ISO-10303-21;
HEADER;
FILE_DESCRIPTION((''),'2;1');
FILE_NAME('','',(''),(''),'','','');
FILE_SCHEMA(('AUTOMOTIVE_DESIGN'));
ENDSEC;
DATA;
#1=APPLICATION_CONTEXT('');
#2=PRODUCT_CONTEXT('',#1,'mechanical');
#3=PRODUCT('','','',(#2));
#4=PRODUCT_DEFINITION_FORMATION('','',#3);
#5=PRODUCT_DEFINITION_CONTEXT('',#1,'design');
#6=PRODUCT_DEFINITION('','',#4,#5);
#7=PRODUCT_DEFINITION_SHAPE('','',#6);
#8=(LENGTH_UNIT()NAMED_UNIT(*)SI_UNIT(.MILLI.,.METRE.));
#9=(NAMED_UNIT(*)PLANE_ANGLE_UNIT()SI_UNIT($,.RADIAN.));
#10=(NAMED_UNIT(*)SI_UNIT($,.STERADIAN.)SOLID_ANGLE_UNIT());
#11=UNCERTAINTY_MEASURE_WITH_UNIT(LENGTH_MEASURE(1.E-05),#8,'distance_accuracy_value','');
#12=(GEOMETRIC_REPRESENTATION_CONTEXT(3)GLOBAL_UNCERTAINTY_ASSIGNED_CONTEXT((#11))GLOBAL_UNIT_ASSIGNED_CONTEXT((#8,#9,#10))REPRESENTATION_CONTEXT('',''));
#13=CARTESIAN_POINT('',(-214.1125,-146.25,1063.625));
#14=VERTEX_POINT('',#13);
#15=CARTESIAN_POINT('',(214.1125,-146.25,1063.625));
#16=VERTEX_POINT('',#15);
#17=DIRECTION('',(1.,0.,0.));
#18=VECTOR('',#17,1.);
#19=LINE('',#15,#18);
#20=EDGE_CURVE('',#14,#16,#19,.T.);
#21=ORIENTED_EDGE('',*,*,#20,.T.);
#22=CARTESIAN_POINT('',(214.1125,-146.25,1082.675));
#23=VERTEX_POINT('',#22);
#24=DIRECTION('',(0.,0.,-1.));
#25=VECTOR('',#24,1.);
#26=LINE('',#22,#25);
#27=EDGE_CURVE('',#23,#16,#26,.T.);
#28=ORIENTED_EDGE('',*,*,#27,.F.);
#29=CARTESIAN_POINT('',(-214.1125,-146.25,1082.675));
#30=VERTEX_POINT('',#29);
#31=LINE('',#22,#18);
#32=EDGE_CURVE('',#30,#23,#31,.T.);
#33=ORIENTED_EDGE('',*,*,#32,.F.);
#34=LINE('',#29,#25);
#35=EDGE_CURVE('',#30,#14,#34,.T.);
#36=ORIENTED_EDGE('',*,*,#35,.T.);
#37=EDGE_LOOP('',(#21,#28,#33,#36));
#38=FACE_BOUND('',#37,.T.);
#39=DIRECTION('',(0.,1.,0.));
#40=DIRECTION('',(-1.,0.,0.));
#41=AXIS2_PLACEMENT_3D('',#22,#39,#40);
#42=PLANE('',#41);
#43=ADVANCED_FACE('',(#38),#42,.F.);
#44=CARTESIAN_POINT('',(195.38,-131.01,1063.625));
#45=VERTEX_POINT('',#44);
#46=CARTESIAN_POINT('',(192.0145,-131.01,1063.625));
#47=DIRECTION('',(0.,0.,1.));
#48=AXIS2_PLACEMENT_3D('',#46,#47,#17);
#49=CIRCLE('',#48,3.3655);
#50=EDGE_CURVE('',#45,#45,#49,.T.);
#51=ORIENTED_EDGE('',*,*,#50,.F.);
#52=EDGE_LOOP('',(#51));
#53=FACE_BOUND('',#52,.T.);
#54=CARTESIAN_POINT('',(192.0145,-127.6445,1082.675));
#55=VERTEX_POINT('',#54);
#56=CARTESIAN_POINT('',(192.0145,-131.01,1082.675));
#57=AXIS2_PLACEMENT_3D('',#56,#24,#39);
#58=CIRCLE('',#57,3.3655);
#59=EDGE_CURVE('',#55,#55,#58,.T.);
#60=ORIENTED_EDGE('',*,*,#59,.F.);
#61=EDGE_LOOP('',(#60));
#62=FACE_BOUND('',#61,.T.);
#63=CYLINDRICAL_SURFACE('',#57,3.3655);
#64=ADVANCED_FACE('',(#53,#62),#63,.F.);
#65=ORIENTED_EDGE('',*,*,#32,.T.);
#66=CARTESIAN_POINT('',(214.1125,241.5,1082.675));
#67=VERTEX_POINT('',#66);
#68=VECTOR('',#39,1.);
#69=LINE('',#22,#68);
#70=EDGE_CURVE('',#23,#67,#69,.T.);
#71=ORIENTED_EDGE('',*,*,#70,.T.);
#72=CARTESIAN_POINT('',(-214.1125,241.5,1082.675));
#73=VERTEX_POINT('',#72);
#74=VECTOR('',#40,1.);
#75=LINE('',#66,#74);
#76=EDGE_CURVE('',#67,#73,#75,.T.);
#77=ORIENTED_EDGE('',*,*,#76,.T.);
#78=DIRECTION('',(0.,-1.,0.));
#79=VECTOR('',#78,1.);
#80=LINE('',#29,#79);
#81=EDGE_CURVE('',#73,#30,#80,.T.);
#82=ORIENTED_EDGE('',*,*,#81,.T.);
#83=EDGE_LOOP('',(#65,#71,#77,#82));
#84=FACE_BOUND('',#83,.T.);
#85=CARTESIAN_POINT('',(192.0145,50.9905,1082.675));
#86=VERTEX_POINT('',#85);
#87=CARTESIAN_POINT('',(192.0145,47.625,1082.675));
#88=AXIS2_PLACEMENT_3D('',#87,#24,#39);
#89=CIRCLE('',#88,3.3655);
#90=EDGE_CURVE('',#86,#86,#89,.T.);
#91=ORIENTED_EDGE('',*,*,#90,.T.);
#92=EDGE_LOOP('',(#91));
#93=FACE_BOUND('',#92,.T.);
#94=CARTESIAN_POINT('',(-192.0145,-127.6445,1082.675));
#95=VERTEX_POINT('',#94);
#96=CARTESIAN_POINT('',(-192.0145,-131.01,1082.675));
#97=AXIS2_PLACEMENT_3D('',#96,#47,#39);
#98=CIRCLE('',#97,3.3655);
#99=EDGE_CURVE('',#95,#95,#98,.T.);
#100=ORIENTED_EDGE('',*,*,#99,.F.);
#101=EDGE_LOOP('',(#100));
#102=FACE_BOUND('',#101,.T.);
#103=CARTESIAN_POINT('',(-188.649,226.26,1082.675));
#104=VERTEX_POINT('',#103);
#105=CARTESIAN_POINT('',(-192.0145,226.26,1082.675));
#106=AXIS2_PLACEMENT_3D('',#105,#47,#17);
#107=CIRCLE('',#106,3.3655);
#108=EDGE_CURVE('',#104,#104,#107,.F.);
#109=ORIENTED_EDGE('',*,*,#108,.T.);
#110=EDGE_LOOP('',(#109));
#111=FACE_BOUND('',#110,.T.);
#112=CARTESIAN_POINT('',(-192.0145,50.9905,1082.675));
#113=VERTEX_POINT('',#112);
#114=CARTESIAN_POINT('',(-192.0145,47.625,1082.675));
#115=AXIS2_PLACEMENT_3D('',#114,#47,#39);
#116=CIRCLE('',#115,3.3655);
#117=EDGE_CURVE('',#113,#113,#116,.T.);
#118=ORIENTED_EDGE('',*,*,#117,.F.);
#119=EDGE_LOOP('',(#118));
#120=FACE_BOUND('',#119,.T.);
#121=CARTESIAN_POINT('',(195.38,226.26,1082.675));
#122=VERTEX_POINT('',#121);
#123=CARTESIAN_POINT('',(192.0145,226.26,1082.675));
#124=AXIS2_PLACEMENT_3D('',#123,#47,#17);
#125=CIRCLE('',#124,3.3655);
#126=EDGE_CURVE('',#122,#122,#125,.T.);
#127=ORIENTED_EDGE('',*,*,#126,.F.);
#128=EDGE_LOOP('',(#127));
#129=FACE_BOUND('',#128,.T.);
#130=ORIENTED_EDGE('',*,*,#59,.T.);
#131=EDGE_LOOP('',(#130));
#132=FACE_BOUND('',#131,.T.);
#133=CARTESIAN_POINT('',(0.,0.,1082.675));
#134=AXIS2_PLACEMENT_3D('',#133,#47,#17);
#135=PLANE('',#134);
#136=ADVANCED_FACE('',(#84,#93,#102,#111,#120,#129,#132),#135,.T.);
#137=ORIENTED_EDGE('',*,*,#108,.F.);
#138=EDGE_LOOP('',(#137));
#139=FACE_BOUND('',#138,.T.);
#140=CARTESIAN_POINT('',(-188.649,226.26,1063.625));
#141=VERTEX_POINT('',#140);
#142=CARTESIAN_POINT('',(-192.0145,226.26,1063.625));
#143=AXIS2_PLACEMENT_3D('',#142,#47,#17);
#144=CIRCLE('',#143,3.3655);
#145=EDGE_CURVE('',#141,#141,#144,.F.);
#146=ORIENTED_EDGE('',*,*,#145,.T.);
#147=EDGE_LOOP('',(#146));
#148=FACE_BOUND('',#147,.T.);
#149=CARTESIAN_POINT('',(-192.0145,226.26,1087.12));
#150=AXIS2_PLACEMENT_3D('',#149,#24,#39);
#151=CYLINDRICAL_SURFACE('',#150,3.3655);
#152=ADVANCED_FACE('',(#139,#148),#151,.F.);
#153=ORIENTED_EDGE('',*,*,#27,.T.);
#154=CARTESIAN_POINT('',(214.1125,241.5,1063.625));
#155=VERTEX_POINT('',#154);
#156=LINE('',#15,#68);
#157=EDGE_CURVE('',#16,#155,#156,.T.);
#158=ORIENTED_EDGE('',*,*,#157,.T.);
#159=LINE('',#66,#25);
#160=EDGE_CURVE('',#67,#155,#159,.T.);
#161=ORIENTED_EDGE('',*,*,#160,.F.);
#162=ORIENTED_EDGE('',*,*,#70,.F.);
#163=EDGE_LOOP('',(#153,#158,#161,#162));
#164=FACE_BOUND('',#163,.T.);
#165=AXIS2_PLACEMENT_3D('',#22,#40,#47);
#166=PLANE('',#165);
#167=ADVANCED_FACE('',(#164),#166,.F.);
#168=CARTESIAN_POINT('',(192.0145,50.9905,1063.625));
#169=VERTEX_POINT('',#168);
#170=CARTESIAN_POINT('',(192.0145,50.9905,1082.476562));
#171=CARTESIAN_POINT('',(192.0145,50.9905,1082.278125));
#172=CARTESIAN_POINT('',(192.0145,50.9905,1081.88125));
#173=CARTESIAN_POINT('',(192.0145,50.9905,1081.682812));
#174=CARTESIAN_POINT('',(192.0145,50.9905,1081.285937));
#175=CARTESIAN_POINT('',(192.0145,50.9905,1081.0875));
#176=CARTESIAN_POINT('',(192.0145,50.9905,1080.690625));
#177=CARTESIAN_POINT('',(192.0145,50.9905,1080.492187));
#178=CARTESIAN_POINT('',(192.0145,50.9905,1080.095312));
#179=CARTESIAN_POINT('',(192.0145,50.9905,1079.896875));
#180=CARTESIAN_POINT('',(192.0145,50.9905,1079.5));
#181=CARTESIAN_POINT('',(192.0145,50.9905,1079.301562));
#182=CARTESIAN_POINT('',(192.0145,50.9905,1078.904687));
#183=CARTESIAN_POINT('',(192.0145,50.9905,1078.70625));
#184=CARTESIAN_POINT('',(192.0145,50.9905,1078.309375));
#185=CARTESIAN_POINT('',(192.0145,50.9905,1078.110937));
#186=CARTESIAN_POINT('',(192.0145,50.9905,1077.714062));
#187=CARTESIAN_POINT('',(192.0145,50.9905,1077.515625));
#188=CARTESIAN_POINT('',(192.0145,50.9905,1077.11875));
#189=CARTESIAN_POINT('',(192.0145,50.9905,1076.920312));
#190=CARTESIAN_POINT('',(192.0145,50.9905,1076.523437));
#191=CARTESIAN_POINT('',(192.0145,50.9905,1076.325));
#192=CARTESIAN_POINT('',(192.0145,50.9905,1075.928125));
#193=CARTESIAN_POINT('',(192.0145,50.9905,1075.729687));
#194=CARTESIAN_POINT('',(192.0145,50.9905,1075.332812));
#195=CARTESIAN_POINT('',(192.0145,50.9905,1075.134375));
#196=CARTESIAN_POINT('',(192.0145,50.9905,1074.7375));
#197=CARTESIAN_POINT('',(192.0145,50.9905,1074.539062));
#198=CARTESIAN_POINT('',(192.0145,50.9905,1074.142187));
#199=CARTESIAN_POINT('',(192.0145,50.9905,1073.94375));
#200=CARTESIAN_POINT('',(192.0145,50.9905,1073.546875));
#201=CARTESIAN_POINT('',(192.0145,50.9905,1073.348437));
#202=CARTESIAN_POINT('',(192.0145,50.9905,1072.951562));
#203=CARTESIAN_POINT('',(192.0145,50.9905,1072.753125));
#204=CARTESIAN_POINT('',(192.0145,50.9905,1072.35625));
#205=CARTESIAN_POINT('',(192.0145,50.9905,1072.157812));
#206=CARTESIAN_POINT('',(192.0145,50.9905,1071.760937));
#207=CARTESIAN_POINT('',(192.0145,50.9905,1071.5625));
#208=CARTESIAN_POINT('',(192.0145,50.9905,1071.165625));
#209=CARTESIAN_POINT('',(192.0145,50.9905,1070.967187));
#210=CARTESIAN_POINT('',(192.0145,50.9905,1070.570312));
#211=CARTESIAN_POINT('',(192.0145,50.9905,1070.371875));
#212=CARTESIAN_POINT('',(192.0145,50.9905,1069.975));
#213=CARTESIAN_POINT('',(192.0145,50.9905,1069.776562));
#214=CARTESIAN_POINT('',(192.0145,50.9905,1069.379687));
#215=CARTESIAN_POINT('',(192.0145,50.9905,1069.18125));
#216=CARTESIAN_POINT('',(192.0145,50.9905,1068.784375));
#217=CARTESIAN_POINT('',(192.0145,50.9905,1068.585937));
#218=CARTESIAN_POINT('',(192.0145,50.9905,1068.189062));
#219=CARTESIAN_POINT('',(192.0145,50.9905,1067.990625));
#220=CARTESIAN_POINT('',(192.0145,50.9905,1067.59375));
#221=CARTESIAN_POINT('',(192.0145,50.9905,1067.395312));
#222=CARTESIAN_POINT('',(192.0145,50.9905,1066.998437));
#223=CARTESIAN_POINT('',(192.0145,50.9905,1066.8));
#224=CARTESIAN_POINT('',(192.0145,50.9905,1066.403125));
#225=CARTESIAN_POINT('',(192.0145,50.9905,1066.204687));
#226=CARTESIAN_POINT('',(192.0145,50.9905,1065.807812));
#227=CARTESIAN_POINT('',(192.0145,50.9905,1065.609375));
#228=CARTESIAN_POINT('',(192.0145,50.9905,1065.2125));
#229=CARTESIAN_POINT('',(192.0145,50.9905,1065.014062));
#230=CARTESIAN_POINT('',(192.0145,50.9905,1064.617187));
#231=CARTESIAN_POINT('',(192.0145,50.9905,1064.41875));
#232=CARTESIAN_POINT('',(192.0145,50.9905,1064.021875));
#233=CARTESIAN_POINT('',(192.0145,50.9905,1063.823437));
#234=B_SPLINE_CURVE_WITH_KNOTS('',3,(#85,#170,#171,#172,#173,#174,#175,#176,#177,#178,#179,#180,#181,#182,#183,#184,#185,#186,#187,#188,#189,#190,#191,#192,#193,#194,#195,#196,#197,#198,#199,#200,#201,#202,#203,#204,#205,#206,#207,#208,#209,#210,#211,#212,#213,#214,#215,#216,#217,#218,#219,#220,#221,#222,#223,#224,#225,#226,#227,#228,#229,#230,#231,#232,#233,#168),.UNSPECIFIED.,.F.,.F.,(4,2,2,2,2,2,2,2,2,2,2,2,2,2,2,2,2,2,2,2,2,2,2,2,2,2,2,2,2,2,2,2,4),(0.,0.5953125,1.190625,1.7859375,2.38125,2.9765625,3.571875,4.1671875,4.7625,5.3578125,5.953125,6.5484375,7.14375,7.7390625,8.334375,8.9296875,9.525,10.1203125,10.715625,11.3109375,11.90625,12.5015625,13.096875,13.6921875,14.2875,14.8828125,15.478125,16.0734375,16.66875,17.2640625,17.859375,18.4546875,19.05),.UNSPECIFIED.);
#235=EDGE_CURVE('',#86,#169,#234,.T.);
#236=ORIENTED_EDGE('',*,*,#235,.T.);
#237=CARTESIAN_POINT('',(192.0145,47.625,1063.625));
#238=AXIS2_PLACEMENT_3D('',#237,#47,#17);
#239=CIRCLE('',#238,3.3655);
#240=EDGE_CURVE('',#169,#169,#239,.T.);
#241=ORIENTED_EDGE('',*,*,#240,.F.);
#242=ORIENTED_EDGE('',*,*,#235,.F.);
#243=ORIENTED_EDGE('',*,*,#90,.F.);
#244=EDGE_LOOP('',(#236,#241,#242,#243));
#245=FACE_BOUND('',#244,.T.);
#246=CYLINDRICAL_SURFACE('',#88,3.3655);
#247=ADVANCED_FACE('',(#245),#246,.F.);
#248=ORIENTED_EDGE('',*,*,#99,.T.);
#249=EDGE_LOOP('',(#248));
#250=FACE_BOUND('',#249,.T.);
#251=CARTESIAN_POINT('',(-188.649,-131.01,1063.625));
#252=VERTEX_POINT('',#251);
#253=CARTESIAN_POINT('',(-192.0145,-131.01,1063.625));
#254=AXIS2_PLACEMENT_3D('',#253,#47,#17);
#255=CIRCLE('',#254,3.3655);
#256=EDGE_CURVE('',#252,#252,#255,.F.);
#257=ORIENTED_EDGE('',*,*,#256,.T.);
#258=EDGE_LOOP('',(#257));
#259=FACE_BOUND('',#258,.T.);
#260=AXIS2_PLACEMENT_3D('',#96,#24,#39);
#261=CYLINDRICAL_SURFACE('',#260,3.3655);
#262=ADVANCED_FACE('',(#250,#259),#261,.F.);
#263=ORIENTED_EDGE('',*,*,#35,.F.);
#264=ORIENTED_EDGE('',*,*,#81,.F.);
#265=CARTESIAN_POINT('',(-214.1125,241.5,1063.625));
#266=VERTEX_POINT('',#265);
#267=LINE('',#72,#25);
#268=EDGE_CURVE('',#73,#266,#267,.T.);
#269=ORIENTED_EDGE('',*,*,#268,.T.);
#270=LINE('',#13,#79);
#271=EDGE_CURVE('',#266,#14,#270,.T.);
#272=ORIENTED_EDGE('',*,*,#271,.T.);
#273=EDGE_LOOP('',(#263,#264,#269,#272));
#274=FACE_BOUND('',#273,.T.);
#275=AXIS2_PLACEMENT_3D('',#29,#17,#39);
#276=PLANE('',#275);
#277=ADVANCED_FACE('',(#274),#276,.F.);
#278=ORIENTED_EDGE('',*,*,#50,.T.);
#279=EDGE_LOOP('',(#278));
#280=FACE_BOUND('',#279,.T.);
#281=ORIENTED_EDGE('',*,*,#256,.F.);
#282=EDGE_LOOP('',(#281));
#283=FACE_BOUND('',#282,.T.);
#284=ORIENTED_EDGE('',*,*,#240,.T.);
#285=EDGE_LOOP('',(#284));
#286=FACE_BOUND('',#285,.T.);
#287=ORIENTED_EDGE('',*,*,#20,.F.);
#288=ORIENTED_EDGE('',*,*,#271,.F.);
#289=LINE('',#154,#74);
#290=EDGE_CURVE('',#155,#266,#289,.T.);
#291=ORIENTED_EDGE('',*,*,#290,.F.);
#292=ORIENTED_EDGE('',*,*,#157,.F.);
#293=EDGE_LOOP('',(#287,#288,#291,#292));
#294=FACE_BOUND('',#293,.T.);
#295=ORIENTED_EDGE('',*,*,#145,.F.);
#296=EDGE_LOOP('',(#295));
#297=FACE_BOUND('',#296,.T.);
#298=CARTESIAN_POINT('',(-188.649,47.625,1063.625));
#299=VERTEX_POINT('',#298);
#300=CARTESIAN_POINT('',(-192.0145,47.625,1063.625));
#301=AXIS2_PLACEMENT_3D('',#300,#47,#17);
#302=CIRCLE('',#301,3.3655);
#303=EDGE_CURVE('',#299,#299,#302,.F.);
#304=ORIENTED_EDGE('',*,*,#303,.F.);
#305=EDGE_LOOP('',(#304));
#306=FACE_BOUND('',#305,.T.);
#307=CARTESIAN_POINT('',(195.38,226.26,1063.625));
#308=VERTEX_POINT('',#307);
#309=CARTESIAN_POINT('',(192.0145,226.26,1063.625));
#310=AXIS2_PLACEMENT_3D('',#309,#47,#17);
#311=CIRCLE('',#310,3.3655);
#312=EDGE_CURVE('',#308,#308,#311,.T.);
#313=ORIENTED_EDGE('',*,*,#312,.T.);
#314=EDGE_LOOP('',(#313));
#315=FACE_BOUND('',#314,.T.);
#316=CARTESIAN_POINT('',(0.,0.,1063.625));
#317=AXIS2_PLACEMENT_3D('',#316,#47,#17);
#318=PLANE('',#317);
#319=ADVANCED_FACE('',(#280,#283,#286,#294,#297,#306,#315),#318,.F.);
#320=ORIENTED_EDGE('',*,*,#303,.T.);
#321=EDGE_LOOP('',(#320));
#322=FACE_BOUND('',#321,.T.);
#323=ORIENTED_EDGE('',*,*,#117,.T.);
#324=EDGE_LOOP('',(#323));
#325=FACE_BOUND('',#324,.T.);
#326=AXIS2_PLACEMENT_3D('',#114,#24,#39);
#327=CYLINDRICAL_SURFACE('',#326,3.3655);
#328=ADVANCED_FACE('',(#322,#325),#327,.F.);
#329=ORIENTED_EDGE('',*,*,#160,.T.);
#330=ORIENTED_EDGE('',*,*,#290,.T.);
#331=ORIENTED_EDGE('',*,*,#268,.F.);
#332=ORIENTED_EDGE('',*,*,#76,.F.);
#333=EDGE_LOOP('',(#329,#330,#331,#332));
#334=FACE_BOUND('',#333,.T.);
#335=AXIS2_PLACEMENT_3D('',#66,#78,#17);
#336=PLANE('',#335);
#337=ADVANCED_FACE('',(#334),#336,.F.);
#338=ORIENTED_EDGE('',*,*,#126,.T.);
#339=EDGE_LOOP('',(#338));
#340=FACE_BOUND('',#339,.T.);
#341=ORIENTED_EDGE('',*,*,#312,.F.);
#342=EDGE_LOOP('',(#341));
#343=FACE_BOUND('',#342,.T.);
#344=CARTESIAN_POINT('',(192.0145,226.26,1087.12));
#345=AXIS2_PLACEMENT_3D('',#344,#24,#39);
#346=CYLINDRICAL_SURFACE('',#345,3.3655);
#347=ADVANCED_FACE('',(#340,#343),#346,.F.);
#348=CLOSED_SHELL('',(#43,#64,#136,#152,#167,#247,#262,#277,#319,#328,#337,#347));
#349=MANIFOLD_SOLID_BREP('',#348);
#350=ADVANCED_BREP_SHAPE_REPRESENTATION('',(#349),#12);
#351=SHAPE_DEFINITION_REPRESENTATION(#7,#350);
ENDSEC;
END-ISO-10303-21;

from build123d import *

# Parameters (mm, degrees)
SKETCH1_W           = 428.225
SKETCH1_H           = 387.75
BOSS_EXTRUDE1_DEPTH = 19.05
SKETCH2_R           = 3.3655
CUT_EXTRUDE1_DEPTH  = 324.427773516
SKETCH3_R           = 3.3655
CUT_EXTRUDE2_DEPTH  = 324.427773516
SKETCH4_R           = 3.3655
CUT_EXTRUDE3_DEPTH  = 25.4


with BuildPart() as part:
    # Sketch1 → Boss-Extrude1 (new body)
    with BuildSketch(Plane.XY.offset(1063.625)):
        with Locations((0, 47.625)):
            Rectangle(SKETCH1_W, SKETCH1_H)
    extrude(amount=BOSS_EXTRUDE1_DEPTH)

    # Sketch2 → Cut-Extrude1 (cut, through all)
    with BuildSketch(Plane(origin=(0, 0, 1061.72), x_dir=(1, 0, 0), z_dir=(0, 0, -1))):
        with Locations(Location((192.0145, 131.01, 0), (0, 0, 270))):
            Circle(SKETCH2_R)
    cut_extrude1 = extrude(amount=-CUT_EXTRUDE1_DEPTH, mode=Mode.SUBTRACT)

    # Sketch3 → Cut-Extrude2 (cut, through all)
    with BuildSketch(Plane(origin=(0, 0, 1061.72), x_dir=(1, 0, 0), z_dir=(0, 0, -1))):
        with Locations(Location((192.0145, -47.625, 0), (0, 0, 270))):
            Circle(SKETCH3_R)
    cut_extrude2 = extrude(amount=-CUT_EXTRUDE2_DEPTH, mode=Mode.SUBTRACT)

    # Sketch4 → Cut-Extrude3 (cut)
    with BuildSketch(Plane(origin=(0, 0, 1061.72), x_dir=(1, 0, 0), z_dir=(0, 0, -1))):
        with Locations((192.0145, -226.26)):
            Circle(SKETCH4_R)
    cut_extrude3 = extrude(amount=-CUT_EXTRUDE3_DEPTH, mode=Mode.SUBTRACT)

    # Mirror1: Cut-Extrude1, Cut-Extrude2, Cut-Extrude3 across plane
    add(cut_extrude1.mirror(Plane(origin=(0, 0, 0), x_dir=(0, 0, 1), z_dir=(1, 0, 0))), mode=Mode.SUBTRACT)
    add(cut_extrude2.mirror(Plane(origin=(0, 0, 0), x_dir=(0, 0, 1), z_dir=(1, 0, 0))), mode=Mode.SUBTRACT)
    add(cut_extrude3.mirror(Plane(origin=(0, 0, 0), x_dir=(0, 0, 1), z_dir=(1, 0, 0))), mode=Mode.SUBTRACT)


solid = part.part
